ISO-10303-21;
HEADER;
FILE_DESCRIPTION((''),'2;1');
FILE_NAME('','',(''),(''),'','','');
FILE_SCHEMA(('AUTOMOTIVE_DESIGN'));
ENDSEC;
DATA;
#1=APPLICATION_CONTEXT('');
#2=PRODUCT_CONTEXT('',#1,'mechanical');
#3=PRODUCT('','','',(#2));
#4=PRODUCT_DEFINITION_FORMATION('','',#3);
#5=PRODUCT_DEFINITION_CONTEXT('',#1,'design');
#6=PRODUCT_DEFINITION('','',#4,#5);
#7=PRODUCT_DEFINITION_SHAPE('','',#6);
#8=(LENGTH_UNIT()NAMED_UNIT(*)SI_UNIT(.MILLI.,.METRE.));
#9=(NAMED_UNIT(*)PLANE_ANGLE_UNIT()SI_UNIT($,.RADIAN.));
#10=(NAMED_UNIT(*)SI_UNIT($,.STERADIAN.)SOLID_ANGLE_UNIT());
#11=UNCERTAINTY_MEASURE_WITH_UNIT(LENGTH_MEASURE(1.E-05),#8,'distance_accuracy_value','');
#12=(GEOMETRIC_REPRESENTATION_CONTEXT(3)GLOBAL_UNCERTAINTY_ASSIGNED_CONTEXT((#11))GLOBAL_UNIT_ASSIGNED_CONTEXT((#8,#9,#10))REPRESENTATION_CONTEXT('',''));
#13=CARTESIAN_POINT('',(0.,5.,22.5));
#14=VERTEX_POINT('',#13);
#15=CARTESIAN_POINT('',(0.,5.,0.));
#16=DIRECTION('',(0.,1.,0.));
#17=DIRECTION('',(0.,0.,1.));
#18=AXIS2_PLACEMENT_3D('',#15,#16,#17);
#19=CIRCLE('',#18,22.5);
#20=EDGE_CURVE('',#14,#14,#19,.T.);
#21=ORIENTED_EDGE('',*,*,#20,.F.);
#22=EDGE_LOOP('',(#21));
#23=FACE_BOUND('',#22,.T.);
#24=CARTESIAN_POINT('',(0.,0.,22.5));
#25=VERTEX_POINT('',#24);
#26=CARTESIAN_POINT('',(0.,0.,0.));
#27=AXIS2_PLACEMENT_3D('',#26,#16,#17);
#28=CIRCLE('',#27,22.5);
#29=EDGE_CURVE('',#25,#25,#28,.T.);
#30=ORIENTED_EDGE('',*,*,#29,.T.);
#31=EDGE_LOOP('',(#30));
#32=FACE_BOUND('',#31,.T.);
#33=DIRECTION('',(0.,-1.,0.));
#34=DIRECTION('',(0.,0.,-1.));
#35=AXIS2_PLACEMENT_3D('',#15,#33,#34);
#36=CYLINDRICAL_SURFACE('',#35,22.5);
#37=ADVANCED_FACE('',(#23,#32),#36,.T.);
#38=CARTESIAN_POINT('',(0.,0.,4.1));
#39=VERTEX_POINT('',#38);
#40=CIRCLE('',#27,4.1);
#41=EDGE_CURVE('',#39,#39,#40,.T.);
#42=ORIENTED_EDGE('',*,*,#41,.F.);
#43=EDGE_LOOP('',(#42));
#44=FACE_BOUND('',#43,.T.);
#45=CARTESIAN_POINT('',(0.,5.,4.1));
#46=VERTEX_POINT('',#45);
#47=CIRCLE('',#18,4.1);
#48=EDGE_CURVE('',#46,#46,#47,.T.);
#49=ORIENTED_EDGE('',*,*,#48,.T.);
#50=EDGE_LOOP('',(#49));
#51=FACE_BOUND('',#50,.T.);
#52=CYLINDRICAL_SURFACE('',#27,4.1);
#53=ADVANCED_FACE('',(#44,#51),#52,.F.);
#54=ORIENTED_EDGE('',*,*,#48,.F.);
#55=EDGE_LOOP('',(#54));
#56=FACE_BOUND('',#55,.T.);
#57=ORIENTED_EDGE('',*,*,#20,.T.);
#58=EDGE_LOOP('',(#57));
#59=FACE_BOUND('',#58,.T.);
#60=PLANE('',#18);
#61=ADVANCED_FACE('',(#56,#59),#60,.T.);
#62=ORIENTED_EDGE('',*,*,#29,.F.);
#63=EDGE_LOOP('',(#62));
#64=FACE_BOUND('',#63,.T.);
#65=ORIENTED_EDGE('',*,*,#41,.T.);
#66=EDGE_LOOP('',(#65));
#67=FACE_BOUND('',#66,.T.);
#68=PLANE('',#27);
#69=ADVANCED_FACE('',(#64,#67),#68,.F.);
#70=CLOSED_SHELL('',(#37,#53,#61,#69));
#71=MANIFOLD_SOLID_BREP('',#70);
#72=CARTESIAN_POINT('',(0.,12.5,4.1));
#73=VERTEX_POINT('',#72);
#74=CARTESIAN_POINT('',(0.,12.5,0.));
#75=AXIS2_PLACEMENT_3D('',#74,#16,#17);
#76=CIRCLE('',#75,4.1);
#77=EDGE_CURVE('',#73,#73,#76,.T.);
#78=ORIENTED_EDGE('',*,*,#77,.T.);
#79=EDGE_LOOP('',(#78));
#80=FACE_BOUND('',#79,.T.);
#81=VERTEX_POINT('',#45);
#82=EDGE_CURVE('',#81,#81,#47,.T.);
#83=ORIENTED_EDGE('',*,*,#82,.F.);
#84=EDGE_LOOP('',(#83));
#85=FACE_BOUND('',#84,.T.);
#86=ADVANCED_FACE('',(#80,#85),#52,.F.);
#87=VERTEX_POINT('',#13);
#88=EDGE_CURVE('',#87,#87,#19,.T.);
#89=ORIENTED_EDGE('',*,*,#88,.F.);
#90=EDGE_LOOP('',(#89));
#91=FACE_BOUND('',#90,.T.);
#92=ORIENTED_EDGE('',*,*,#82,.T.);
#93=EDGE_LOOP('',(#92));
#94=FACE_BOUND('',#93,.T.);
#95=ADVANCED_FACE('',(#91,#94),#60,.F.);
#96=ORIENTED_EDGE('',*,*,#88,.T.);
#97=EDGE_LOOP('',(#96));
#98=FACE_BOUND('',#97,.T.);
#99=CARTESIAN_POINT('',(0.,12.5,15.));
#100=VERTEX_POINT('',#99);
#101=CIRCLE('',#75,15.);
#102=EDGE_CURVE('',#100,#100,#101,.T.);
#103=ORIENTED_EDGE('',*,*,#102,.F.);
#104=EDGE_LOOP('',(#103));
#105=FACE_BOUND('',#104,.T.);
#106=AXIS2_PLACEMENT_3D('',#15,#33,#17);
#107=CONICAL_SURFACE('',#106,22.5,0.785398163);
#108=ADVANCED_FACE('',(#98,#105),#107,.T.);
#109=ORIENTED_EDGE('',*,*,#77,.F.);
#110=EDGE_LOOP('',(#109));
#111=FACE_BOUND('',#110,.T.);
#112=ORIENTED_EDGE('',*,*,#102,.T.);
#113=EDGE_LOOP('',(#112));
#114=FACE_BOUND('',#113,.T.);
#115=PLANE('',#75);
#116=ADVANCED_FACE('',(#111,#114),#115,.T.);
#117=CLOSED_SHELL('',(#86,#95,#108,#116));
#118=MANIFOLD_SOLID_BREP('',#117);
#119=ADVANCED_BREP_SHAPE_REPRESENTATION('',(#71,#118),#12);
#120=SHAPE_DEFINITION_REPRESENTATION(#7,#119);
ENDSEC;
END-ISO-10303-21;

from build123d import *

# Parameters (mm, degrees)
SKETCH2_R           = 22.5
BOSS_EXTRUDE1_DEPTH = 5
SKETCH3_R           = 22.5
BOSS_EXTRUDE2_DEPTH = 7.5
BOSS_EXTRUDE2_TAPER = 45
SKETCH4_R           = 4.1
CUT_EXTRUDE1_DEPTH  = 35.18698596


with BuildPart() as part:
    # Sketch2 → Boss-Extrude1 (new body)
    with BuildSketch(Plane(origin=(0, 0, 0), x_dir=(1, 0, 0), z_dir=(0, 1, 0))):
        with Locations(Location((0, 0, 0), (0, 0, 270))):
            Circle(SKETCH2_R)
    extrude(amount=BOSS_EXTRUDE1_DEPTH)


with BuildPart() as body_2:
    # Sketch3 → Boss-Extrude2 (new body)
    with BuildSketch(Plane(origin=(0, 5, 0), x_dir=(1, 0, 0), z_dir=(0, 1, 0))):
        with Locations(Location((0, 0, 0), (0, 0, 270))):
            Circle(SKETCH3_R)
    extrude(amount=BOSS_EXTRUDE2_DEPTH, taper=BOSS_EXTRUDE2_TAPER)


with BuildPart() as cut_extrude1_tool:
    # Sketch4 → Cut-Extrude1 (new, through all)
    with BuildSketch(Plane(origin=(0, 12.5, 0), x_dir=(1, 0, 0), z_dir=(0, 1, 0))):
        with Locations(Location((0, 0, 0), (0, 0, 270))):
            Circle(SKETCH4_R)
    extrude(amount=-CUT_EXTRUDE1_DEPTH)


with BuildPart() as part_1:
    add(part.part)

    # Cut-Extrude1: cut by cut_extrude1_tool
    add(cut_extrude1_tool.part, mode=Mode.SUBTRACT)


with BuildPart() as body_2_1:
    add(body_2.part)

    # Cut-Extrude1: cut by cut_extrude1_tool
    add(cut_extrude1_tool.part, mode=Mode.SUBTRACT)


solid = Compound([part_1.part, body_2_1.part])
